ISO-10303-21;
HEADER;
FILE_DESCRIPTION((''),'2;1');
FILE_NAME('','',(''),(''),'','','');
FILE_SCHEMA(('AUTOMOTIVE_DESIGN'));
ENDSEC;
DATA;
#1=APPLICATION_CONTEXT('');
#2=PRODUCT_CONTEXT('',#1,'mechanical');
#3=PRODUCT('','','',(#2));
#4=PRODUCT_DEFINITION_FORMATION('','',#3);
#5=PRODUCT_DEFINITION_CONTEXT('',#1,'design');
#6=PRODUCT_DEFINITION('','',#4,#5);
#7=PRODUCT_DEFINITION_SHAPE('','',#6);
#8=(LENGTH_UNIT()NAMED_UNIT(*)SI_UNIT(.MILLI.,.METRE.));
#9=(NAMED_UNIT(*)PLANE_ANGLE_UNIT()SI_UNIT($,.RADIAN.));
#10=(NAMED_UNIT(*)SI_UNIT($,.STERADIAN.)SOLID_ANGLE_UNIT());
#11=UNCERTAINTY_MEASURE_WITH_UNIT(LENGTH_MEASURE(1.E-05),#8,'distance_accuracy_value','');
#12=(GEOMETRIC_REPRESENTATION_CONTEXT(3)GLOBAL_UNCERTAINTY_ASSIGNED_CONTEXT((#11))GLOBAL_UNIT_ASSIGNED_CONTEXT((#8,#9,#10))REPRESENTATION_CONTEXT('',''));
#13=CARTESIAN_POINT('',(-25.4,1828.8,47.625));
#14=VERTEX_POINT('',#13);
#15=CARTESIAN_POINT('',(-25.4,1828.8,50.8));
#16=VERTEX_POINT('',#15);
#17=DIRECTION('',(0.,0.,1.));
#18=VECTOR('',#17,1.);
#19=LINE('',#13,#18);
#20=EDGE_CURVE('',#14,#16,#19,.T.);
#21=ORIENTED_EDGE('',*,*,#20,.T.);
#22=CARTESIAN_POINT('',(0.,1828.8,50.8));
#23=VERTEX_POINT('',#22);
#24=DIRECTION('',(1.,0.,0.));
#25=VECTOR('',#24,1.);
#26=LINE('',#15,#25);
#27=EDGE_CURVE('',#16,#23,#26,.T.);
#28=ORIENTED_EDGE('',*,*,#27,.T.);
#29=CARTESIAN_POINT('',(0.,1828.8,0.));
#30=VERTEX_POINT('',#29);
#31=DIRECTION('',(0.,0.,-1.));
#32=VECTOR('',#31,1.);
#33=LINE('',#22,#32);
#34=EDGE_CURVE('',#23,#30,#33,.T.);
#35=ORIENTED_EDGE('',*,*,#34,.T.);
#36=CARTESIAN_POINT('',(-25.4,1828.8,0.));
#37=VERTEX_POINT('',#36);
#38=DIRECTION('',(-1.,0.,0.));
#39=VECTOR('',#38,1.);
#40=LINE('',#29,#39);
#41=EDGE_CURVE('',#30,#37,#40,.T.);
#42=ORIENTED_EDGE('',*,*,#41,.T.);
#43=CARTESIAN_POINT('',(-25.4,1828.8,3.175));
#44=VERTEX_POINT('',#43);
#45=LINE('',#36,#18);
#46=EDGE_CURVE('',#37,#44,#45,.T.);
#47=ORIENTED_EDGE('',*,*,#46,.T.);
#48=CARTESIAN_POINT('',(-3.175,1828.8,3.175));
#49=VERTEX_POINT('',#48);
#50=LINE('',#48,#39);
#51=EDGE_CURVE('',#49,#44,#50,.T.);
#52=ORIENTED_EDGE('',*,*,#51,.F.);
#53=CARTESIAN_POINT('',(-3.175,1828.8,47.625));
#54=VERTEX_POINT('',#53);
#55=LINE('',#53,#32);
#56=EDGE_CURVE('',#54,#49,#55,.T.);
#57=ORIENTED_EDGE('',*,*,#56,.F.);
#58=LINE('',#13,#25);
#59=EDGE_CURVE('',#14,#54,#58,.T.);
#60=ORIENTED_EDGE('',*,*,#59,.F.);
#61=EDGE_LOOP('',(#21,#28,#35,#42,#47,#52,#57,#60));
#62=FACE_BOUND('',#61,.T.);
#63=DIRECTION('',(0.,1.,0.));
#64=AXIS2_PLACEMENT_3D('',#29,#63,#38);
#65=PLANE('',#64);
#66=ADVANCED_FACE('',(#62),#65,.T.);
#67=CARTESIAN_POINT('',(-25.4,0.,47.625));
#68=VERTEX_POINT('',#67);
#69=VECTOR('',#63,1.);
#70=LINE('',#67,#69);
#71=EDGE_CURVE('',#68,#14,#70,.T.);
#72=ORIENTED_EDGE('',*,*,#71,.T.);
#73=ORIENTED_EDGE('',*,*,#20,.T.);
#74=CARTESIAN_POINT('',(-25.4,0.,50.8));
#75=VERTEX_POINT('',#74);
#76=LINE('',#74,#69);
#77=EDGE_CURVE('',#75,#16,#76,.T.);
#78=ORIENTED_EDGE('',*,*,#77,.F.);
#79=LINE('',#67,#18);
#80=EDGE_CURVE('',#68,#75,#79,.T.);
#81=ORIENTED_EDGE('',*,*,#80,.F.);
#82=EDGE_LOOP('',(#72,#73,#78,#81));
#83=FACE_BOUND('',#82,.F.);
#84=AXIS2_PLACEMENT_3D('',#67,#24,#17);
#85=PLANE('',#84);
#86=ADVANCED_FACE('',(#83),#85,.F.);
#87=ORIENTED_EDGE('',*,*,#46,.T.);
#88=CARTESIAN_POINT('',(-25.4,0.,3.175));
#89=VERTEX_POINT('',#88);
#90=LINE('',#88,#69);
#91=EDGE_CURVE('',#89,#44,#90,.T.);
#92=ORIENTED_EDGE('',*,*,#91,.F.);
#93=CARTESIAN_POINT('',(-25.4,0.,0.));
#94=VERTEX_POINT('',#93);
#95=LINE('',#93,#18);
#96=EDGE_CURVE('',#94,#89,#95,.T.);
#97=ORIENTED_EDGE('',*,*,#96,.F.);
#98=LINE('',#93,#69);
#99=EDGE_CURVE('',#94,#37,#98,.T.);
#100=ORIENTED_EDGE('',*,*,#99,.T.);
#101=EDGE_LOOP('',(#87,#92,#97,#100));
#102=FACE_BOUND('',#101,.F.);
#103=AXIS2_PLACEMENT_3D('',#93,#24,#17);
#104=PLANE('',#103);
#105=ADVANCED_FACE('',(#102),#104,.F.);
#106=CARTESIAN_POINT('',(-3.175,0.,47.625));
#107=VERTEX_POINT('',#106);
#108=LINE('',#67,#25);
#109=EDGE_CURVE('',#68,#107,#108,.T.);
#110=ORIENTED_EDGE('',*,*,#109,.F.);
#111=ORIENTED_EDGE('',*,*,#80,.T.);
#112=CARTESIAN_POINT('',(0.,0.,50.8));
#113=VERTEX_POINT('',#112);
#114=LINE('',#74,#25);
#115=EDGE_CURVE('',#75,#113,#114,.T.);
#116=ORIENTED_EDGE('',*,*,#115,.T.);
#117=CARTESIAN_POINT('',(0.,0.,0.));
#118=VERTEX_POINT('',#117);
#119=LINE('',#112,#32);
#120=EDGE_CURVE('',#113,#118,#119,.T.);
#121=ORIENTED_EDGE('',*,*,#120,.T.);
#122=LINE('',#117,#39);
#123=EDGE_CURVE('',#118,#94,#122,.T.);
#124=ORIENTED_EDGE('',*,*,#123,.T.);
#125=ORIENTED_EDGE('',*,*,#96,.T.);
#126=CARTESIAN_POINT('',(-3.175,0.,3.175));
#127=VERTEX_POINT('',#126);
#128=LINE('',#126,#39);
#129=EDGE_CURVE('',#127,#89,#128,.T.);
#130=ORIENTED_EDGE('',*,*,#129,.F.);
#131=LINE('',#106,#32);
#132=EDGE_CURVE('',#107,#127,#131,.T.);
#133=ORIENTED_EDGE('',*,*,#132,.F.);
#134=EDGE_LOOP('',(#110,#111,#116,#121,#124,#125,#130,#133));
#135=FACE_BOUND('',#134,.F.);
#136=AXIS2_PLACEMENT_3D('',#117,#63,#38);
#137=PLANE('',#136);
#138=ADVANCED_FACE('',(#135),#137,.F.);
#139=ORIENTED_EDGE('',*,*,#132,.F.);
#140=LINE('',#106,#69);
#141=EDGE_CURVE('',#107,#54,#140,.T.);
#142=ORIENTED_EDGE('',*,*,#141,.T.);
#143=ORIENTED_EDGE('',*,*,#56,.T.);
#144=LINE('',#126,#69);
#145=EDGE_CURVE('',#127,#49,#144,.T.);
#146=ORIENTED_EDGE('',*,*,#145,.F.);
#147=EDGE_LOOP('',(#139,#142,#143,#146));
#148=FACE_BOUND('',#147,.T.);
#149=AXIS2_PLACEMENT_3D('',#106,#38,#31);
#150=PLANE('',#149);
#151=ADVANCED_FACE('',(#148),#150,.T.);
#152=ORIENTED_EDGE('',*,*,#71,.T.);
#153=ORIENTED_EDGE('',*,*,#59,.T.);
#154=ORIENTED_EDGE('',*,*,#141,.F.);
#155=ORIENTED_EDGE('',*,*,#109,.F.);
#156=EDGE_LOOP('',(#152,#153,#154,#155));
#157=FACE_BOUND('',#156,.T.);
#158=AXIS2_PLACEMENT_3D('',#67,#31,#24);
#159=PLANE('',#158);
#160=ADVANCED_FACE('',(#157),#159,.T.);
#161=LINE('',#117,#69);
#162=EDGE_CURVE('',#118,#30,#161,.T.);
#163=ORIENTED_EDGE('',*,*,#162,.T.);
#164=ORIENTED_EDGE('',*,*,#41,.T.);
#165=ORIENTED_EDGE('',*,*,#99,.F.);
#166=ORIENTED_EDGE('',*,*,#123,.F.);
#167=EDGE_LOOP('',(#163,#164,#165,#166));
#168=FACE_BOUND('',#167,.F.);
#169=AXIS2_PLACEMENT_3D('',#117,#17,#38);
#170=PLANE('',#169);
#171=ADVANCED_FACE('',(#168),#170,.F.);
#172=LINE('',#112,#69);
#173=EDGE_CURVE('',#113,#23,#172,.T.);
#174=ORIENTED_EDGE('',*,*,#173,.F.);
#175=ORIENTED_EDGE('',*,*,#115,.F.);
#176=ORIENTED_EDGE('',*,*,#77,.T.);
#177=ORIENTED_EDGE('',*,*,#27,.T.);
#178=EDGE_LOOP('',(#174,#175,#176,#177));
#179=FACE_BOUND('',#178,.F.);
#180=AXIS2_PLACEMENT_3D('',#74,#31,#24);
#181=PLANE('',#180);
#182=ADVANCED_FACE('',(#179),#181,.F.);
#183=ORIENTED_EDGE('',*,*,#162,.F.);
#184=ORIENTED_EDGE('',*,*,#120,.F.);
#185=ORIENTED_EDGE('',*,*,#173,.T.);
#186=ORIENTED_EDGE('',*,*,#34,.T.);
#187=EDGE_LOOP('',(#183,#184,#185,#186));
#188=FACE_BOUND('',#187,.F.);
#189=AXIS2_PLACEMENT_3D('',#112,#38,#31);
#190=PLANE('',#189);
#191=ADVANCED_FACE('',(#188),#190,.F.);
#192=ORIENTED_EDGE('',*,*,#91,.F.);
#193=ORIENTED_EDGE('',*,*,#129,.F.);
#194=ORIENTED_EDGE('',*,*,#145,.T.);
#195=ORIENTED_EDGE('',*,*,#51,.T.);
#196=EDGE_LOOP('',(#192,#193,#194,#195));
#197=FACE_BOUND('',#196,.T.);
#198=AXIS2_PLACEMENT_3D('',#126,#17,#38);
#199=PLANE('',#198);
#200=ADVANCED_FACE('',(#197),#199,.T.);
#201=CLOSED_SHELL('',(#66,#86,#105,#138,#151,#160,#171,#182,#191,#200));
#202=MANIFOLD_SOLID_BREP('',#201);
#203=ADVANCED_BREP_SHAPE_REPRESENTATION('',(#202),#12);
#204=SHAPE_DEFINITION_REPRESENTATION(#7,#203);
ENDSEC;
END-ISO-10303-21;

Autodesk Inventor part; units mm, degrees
ref_plane "YZ Plane" through (0, 0, 0) normal (1, 0, 0) x (0, 1, 0)
ref_plane "XZ Plane" through (0, 0, 0) normal (0, 1, 0) x (-1, 0, 0)
ref_plane "XY Plane" through (0, 0, 0) normal (0, 0, 1) x (1, 0, 0)
sketch "Sketch1" plane through (0, 0, 0) normal (0, 1, 0) x (-1, 0, 0)
  line L0 (0, 0) -> (25.4, 0)
  line L1 (25.4, 50.8) -> (0, 50.8)
  line L2 (0, 50.8) -> (0, 0)
  line L3 (3.175, 3.175) -> (25.4, 3.175)
  line L4 (25.4, 47.625) -> (3.175, 47.625)
  line L5 (3.175, 47.625) -> (3.175, 3.175)
  line L6 (25.4, 0) -> (25.4, 3.175)
  line L7 (25.4, 47.625) -> (25.4, 50.8)
  dimension "d0" = 25.4
  dimension "d1" = 50.8
  dimension "d2" = 3.175
  dimension "d3" = 3.175
extrude "Extrusion1" add sketch "Sketch1" along normal blind 1828.8
equation "\"d3\" = d2"
properties part number "cChannel2x1-01"
